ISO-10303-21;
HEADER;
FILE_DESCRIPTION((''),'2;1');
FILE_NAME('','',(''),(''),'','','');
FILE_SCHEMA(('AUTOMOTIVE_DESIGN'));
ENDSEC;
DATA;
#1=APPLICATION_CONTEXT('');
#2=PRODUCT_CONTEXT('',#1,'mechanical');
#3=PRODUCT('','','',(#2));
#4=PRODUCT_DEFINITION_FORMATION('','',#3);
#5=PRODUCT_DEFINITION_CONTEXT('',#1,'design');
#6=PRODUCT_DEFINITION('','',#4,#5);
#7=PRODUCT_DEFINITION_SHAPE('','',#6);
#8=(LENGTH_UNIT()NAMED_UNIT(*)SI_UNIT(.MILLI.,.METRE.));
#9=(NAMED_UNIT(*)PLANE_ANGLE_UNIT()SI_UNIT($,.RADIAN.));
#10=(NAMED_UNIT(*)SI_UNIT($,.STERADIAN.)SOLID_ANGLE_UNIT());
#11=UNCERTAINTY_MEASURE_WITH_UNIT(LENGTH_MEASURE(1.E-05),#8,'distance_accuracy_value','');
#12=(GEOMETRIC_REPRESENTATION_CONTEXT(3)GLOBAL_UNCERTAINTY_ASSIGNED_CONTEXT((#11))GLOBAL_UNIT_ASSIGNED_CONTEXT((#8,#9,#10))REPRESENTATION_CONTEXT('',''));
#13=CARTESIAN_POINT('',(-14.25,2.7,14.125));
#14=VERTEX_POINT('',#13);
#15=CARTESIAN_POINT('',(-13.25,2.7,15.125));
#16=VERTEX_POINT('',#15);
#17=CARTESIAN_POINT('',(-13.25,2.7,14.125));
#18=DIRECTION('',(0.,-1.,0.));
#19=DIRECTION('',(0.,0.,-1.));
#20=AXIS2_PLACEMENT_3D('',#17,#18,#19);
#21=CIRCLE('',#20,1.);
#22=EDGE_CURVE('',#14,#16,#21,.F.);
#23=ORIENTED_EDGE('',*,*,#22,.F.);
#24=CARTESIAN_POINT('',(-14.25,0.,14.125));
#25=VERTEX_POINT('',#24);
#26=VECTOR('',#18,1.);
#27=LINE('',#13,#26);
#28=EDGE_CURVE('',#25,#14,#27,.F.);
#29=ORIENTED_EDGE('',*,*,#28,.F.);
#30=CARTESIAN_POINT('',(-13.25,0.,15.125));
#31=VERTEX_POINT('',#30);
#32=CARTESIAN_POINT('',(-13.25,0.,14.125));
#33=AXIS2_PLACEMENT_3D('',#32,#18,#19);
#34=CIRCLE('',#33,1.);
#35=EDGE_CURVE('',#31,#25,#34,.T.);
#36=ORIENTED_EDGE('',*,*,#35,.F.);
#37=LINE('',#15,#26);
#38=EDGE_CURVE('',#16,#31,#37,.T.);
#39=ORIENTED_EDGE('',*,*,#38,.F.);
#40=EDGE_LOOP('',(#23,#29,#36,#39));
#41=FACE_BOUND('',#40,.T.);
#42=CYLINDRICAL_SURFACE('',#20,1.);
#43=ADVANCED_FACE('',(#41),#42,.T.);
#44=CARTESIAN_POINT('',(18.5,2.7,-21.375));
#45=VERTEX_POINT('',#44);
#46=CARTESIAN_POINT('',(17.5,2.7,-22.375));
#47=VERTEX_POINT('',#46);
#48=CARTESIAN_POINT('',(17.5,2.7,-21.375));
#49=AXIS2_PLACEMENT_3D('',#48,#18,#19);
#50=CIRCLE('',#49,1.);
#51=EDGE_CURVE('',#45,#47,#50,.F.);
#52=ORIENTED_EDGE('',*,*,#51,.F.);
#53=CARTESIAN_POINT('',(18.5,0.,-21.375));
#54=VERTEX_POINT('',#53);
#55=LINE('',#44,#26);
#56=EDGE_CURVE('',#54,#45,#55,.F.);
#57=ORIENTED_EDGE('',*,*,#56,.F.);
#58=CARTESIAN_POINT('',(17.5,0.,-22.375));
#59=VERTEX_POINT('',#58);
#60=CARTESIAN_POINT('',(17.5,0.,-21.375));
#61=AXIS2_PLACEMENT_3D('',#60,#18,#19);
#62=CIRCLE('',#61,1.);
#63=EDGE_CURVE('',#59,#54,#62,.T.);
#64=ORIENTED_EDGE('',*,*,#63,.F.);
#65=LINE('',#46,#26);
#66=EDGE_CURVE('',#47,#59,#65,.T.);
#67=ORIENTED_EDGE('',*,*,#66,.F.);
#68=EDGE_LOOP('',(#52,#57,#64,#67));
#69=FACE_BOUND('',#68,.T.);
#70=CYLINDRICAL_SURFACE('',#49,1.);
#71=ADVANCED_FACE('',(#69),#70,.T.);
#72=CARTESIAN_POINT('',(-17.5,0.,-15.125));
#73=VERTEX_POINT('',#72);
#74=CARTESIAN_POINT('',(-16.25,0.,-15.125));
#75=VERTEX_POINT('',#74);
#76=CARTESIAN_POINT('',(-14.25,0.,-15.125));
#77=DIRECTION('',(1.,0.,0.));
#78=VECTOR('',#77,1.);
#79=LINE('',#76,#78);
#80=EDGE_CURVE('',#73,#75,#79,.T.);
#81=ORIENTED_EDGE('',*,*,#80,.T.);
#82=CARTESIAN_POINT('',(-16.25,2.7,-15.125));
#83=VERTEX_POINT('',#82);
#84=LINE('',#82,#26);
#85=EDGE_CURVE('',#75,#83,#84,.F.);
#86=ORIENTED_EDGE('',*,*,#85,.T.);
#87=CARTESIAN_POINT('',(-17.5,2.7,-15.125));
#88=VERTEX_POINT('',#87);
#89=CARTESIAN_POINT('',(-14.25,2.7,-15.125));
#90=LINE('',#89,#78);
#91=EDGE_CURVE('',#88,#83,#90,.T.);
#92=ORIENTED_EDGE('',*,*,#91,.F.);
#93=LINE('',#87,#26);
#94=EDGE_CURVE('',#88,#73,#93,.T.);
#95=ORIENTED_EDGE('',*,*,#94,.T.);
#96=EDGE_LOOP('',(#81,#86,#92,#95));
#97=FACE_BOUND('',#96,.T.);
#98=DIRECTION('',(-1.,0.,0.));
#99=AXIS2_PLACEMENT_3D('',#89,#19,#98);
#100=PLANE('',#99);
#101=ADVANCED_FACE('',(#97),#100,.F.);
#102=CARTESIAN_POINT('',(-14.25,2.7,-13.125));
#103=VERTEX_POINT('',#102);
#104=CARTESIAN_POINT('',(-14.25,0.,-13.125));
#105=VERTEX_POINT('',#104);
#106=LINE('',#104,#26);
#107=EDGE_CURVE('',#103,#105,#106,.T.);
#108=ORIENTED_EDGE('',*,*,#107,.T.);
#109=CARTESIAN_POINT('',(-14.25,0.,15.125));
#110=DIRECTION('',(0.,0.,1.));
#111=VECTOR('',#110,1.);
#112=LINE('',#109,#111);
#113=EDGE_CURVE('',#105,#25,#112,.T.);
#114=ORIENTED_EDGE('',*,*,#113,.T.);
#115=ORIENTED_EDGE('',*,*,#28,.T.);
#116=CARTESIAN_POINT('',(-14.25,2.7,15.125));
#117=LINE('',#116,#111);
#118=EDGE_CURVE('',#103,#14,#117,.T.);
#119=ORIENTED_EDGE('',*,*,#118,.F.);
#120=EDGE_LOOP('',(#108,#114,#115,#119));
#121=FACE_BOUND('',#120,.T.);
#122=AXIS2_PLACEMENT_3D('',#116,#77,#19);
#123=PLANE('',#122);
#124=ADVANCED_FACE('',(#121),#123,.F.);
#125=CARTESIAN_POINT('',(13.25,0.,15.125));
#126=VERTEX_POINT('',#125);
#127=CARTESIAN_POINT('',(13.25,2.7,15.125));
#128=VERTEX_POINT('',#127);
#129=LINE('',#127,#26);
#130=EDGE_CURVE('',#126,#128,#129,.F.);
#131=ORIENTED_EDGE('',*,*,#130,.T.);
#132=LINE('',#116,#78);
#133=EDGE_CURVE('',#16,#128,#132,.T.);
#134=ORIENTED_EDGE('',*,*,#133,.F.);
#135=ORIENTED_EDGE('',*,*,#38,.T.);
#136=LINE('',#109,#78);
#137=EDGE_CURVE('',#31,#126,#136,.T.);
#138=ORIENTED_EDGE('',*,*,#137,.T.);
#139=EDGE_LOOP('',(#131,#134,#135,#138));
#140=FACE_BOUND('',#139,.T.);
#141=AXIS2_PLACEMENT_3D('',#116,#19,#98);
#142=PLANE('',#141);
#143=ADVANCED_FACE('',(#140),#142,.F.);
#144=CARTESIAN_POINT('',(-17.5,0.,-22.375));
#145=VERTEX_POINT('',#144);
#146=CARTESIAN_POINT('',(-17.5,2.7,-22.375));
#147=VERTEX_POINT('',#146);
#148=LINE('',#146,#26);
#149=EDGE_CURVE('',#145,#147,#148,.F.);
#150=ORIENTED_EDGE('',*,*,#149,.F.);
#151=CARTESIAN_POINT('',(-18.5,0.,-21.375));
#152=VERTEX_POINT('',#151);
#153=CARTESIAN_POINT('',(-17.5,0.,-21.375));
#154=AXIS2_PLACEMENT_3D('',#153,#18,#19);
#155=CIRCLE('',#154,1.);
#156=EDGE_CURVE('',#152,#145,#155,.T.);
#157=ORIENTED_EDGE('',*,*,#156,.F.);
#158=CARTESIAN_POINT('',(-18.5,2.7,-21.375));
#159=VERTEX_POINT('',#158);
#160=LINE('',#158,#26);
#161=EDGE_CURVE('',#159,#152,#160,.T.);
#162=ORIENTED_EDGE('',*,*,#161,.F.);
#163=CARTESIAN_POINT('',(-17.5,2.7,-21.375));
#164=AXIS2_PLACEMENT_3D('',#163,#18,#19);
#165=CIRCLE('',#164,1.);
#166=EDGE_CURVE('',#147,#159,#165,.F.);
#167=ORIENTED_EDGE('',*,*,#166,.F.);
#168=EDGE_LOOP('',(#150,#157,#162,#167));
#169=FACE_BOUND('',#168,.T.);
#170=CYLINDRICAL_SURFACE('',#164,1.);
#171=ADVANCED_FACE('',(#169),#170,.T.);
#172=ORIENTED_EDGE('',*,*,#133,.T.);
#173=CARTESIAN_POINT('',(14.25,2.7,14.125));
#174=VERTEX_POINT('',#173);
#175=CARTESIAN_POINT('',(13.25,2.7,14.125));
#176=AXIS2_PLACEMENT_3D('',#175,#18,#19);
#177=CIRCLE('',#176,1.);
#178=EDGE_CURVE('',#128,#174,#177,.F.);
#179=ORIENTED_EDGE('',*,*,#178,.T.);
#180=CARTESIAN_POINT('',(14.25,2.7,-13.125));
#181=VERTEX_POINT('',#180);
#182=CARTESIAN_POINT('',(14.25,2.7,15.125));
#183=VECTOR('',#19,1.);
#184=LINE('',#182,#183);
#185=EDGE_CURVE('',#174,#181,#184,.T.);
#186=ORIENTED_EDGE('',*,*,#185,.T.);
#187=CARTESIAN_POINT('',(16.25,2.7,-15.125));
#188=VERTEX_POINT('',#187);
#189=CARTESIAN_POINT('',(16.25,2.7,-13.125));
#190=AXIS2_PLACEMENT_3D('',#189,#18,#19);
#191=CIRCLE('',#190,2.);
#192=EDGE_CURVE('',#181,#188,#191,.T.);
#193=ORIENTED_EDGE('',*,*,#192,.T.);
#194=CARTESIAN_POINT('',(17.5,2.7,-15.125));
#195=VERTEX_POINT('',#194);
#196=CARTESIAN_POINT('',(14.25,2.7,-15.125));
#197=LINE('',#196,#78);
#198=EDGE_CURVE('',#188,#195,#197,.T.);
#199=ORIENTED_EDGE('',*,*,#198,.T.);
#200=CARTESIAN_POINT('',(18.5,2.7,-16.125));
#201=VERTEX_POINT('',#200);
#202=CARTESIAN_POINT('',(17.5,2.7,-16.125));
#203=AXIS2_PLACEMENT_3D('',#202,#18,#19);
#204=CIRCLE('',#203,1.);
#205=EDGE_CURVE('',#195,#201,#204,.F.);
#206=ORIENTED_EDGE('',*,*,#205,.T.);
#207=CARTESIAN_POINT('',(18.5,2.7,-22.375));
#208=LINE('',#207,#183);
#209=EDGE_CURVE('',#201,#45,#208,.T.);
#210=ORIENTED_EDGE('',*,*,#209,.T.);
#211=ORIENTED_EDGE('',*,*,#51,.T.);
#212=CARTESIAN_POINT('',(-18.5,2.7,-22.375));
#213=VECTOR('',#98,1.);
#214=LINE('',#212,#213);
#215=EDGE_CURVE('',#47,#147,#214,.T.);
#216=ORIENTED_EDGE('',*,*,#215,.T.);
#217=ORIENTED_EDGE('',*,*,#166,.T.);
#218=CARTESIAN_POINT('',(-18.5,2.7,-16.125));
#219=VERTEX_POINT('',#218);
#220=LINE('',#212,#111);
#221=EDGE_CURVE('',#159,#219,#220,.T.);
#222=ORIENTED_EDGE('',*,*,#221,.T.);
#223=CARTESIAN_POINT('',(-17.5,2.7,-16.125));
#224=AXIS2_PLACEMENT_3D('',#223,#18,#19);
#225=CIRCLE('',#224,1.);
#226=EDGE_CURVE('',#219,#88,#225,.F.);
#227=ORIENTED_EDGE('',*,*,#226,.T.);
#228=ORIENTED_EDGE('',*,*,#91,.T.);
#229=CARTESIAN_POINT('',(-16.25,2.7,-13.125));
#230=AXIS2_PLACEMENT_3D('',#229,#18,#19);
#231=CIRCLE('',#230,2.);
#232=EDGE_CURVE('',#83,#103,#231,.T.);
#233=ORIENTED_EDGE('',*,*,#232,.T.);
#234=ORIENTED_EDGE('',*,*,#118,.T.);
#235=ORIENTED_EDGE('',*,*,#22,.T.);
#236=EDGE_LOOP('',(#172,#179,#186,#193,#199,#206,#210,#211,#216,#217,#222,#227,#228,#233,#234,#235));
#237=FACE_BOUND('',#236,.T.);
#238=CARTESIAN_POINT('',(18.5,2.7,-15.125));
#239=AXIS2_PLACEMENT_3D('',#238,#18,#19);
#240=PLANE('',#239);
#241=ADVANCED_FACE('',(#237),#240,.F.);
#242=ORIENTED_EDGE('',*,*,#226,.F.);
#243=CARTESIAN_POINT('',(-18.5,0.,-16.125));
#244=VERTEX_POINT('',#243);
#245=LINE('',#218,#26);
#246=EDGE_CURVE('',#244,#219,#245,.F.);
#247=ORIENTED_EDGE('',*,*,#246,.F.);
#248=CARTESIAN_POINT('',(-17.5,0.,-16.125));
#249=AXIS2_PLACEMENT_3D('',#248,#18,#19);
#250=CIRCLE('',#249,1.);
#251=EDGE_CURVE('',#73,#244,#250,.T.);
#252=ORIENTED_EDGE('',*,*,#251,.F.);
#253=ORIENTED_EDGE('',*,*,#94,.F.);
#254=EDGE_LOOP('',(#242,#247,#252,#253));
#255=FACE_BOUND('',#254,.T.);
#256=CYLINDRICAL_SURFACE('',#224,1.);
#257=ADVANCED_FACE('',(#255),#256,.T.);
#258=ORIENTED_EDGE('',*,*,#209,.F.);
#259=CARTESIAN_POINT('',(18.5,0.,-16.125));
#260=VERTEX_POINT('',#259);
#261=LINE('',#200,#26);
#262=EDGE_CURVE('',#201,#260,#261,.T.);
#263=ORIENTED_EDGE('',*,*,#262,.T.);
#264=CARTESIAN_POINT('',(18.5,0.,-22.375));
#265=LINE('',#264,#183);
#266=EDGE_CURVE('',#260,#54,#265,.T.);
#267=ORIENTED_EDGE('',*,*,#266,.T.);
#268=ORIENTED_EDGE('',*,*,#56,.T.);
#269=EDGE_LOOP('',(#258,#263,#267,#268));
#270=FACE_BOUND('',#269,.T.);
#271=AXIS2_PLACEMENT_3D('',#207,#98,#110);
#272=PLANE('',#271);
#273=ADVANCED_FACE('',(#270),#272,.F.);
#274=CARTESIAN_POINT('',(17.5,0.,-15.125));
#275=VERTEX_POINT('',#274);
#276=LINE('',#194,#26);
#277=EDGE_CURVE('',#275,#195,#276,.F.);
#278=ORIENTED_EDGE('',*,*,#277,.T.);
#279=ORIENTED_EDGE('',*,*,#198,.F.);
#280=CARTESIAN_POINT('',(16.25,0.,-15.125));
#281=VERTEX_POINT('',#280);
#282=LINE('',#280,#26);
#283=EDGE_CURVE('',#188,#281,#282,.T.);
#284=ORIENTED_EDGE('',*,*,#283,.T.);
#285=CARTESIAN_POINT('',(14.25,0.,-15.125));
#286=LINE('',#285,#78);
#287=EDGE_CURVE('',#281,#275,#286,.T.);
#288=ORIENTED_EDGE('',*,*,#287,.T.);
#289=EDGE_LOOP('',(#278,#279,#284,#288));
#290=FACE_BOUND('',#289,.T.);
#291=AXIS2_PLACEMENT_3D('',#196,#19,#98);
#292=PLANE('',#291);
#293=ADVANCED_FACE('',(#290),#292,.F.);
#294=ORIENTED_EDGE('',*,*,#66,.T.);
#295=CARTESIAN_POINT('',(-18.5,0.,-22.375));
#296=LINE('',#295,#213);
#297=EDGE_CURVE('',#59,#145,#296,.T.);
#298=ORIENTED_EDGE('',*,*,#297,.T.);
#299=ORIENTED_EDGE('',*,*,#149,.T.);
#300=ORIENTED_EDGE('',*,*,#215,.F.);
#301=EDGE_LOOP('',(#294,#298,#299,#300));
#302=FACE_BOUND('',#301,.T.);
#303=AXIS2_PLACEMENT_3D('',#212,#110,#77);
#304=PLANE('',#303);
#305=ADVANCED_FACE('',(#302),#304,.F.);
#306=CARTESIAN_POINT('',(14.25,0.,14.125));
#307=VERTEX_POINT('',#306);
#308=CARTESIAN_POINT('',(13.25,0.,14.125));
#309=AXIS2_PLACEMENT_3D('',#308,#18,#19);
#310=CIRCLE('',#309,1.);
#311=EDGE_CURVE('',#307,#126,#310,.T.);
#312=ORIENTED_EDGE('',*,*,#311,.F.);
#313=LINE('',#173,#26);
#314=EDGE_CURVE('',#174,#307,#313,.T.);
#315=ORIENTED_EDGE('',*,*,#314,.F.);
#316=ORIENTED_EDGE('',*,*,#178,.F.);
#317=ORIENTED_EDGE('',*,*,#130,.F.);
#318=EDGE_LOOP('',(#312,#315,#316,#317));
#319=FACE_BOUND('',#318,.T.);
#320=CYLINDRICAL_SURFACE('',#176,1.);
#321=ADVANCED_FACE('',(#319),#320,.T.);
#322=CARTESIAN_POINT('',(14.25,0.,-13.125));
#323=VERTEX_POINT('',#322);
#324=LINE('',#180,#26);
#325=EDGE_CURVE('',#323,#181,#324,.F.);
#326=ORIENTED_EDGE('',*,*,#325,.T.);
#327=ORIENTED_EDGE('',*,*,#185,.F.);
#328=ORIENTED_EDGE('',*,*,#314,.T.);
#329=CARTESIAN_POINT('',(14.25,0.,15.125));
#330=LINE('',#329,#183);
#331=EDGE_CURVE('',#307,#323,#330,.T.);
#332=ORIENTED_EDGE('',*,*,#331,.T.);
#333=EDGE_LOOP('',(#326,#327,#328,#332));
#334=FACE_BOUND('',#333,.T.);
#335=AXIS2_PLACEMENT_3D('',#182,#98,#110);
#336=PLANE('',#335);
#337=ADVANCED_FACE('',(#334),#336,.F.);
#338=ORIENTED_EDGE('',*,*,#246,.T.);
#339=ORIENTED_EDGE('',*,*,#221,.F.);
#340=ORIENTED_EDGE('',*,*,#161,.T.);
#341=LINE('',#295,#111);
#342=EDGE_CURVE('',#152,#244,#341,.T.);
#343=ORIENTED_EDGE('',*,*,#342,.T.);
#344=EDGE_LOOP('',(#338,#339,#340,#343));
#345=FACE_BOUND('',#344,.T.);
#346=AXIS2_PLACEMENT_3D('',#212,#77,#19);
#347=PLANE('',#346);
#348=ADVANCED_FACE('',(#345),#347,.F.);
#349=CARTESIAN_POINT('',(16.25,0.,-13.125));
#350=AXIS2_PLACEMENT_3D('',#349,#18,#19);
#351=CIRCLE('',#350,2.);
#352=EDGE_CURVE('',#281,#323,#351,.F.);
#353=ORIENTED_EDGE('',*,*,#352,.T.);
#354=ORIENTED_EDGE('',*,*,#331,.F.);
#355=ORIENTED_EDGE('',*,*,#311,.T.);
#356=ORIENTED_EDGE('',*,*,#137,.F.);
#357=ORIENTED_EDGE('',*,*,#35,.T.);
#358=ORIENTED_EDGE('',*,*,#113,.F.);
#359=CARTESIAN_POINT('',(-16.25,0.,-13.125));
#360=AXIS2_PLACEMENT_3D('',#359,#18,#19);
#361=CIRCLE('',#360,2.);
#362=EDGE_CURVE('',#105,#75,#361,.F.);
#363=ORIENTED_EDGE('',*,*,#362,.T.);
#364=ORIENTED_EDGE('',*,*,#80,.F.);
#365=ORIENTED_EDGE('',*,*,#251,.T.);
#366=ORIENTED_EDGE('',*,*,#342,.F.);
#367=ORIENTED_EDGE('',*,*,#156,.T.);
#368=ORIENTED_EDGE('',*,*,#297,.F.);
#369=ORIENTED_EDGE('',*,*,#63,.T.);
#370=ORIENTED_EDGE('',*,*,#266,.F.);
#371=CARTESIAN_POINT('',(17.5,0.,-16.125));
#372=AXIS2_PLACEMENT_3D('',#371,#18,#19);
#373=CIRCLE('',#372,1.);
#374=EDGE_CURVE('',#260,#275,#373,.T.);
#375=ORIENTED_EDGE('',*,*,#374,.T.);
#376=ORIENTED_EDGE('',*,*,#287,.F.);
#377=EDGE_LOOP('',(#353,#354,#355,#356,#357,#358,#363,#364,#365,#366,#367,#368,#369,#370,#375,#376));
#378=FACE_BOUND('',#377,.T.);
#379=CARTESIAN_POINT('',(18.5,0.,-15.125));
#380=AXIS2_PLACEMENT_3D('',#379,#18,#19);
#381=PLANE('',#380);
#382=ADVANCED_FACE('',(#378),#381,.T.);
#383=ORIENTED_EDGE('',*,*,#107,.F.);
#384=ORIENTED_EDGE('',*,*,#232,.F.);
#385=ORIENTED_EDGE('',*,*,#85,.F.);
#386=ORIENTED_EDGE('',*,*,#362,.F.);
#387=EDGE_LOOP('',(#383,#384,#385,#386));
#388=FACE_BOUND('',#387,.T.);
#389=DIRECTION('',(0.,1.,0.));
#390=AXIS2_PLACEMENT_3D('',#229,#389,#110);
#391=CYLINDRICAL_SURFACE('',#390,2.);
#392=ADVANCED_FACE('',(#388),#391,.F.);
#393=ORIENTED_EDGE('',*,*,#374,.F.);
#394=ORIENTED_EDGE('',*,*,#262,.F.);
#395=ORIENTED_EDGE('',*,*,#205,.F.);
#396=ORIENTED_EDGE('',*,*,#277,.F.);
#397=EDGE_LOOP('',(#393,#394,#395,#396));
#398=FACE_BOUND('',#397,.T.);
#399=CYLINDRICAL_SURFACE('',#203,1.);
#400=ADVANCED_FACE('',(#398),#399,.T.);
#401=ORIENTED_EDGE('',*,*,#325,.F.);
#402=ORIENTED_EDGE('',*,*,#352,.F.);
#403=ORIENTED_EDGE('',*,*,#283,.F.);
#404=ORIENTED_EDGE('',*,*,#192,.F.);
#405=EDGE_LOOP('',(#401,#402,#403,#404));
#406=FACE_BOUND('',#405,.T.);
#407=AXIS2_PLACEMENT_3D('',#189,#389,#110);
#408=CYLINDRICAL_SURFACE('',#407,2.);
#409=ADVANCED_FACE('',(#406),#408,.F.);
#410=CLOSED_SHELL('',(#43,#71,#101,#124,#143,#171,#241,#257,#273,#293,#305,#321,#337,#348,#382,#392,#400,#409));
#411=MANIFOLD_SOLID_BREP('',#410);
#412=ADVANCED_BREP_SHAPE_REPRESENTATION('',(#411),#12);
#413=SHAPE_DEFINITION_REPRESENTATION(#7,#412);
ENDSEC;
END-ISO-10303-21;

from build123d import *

# Parameters (mm, degrees)
BOSS_EXTRUDE1_DEPTH = 2.7
FILLET6_R           = 1
FILLET7_R           = 2


with BuildPart() as part:
    # Sketch1 → Boss-Extrude1 (new body)
    with BuildSketch(Plane(origin=(0, 0, 0), x_dir=(1, 0, 0), z_dir=(0, 1, 0))):
        Polygon((-14.25, 15.125), (-18.5, 15.125), (-18.5, 22.375), (18.5, 22.375), (18.5, 15.125), (14.25, 15.125), (14.25, -15.125), (-14.25, -15.125), align=None)
    extrude(amount=BOSS_EXTRUDE1_DEPTH)

    # Fillet6
    fillet6_edges = [part.edges().sort_by_distance(p)[0] for p in [
        (14.25, 1.35, 15.125),
        (-14.25, 1.35, 15.125),
        (-18.5, 1.35, -15.125),
        (-18.5, 1.35, -22.375),
        (18.5, 1.35, -22.375),
        (18.5, 1.35, -15.125),
    ]]
    fillet(fillet6_edges, radius=FILLET6_R)

    # Fillet7
    fillet7_edges = [part.edges().sort_by_distance(p)[0] for p in [
        (14.25, 1.35, -15.125),
        (-14.25, 1.35, -15.125),
    ]]
    fillet(fillet7_edges, radius=FILLET7_R)


solid = part.part
